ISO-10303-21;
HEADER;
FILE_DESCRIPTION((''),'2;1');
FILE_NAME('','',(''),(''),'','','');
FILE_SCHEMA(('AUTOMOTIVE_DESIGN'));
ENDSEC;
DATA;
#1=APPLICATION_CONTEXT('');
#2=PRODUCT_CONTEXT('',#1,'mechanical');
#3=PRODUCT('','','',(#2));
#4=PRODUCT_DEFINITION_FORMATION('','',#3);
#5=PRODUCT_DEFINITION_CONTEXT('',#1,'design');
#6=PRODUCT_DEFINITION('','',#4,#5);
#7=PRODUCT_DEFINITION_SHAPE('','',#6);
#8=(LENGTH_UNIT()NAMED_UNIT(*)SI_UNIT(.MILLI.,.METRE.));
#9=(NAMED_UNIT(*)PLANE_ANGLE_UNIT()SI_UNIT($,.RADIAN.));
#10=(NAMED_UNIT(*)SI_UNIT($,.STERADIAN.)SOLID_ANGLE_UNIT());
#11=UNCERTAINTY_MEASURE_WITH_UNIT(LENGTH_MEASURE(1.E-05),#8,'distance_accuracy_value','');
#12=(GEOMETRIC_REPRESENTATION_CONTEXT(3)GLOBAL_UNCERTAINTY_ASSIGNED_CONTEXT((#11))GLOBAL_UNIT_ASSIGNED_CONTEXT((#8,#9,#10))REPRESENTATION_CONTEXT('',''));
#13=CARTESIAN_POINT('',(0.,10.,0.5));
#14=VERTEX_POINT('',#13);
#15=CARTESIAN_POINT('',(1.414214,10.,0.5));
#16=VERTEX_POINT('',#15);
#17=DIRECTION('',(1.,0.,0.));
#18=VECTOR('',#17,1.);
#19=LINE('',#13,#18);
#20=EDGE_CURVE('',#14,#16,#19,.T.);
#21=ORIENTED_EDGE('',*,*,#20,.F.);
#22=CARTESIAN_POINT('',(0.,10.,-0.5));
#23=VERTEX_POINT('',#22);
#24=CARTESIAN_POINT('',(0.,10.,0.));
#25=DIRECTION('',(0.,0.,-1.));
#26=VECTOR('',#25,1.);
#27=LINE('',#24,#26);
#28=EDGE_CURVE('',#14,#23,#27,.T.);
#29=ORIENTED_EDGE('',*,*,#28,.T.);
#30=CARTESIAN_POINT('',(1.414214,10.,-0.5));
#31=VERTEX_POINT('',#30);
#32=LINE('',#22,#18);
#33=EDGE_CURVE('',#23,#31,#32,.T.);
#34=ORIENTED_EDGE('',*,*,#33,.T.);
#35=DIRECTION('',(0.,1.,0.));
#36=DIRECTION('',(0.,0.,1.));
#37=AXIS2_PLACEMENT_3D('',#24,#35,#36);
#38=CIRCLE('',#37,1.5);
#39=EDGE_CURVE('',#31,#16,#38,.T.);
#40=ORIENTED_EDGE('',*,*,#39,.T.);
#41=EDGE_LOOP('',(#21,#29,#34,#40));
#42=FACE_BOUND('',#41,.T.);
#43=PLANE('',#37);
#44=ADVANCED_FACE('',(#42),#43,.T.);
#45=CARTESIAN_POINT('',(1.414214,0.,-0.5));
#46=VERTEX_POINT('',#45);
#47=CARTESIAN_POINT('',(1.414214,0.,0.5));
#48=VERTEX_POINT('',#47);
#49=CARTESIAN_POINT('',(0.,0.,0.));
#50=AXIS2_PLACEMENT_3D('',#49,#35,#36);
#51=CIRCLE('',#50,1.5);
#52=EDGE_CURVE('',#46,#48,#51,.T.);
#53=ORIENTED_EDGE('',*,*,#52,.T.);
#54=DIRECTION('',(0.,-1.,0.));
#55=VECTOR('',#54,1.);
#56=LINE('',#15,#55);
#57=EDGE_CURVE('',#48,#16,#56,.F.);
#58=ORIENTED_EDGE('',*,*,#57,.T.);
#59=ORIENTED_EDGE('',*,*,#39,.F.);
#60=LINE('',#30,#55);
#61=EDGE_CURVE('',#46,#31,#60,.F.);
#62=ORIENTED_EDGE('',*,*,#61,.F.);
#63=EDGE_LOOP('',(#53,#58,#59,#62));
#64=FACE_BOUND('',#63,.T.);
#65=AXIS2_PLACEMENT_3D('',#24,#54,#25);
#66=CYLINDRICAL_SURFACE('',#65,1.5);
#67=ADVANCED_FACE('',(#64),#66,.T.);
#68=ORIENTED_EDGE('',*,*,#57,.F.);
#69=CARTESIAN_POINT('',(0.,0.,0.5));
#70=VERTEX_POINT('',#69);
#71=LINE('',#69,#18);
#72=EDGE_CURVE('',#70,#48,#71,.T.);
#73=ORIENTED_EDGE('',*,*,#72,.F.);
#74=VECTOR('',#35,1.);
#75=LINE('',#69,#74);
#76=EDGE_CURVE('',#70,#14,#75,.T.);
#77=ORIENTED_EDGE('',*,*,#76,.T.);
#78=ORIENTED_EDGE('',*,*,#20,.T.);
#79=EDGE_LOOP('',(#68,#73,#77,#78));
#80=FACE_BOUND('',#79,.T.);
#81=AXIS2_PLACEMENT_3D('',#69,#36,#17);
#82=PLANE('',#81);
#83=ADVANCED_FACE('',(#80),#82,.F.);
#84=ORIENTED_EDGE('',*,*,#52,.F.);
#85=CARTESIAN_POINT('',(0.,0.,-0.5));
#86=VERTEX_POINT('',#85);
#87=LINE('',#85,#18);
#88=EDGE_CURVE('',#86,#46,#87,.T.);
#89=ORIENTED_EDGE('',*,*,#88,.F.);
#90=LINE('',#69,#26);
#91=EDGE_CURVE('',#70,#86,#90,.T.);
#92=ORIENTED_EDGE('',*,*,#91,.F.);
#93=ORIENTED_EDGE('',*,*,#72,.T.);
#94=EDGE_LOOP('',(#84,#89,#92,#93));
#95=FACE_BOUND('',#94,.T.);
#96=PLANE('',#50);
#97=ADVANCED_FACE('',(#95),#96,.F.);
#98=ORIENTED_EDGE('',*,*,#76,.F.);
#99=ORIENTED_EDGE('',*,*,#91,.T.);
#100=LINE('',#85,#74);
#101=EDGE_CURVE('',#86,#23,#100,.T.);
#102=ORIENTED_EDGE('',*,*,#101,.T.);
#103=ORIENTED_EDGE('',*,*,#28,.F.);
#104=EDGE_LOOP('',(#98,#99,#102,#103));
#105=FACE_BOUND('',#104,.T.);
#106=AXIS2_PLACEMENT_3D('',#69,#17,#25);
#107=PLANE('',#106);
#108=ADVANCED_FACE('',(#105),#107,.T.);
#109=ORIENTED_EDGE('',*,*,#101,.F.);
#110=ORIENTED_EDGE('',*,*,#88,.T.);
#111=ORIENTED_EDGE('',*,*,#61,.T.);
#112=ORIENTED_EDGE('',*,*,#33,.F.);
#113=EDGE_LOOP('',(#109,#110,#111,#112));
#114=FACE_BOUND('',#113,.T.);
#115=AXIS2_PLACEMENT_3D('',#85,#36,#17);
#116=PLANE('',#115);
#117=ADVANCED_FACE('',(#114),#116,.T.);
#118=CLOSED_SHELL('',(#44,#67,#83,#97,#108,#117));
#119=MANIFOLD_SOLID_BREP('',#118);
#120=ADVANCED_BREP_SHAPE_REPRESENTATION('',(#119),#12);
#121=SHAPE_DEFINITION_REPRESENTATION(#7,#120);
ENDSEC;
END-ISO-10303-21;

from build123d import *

# Parameters (mm, degrees)
SKETCH1_R                    = 1.5
BOSS_EXTRUDE1_DEPTH          = 10
CUT_EXTRUDE_THIN1_DEPTH      = 11.22252415
CUT_EXTRUDE_THIN1_DEPTH_BACK = 11.22252415
SKETCH2_W                    = 1.5
SKETCH2_H                    = 1


with BuildPart() as part:
    # Sketch1 → Boss-Extrude1 (new body)
    with BuildSketch(Plane(origin=(0, 0, 0), x_dir=(1, 0, 0), z_dir=(0, 1, 0))):
        Circle(SKETCH1_R)
    extrude(amount=BOSS_EXTRUDE1_DEPTH)

    # Sketch2 → Cut-Extrude-Thin1 (cut, two sides: drawn at the far end of the back side and taken through both)
    with BuildSketch(Plane(origin=(0, 10, 0), x_dir=(1, 0, 0), z_dir=(0, 1, 0)).offset(-CUT_EXTRUDE_THIN1_DEPTH_BACK)):
        with Locations((0.75, 0)):
            Rectangle(SKETCH2_W, SKETCH2_H)
    extrude(amount=CUT_EXTRUDE_THIN1_DEPTH + CUT_EXTRUDE_THIN1_DEPTH_BACK, mode=Mode.SUBTRACT)


solid = part.part
